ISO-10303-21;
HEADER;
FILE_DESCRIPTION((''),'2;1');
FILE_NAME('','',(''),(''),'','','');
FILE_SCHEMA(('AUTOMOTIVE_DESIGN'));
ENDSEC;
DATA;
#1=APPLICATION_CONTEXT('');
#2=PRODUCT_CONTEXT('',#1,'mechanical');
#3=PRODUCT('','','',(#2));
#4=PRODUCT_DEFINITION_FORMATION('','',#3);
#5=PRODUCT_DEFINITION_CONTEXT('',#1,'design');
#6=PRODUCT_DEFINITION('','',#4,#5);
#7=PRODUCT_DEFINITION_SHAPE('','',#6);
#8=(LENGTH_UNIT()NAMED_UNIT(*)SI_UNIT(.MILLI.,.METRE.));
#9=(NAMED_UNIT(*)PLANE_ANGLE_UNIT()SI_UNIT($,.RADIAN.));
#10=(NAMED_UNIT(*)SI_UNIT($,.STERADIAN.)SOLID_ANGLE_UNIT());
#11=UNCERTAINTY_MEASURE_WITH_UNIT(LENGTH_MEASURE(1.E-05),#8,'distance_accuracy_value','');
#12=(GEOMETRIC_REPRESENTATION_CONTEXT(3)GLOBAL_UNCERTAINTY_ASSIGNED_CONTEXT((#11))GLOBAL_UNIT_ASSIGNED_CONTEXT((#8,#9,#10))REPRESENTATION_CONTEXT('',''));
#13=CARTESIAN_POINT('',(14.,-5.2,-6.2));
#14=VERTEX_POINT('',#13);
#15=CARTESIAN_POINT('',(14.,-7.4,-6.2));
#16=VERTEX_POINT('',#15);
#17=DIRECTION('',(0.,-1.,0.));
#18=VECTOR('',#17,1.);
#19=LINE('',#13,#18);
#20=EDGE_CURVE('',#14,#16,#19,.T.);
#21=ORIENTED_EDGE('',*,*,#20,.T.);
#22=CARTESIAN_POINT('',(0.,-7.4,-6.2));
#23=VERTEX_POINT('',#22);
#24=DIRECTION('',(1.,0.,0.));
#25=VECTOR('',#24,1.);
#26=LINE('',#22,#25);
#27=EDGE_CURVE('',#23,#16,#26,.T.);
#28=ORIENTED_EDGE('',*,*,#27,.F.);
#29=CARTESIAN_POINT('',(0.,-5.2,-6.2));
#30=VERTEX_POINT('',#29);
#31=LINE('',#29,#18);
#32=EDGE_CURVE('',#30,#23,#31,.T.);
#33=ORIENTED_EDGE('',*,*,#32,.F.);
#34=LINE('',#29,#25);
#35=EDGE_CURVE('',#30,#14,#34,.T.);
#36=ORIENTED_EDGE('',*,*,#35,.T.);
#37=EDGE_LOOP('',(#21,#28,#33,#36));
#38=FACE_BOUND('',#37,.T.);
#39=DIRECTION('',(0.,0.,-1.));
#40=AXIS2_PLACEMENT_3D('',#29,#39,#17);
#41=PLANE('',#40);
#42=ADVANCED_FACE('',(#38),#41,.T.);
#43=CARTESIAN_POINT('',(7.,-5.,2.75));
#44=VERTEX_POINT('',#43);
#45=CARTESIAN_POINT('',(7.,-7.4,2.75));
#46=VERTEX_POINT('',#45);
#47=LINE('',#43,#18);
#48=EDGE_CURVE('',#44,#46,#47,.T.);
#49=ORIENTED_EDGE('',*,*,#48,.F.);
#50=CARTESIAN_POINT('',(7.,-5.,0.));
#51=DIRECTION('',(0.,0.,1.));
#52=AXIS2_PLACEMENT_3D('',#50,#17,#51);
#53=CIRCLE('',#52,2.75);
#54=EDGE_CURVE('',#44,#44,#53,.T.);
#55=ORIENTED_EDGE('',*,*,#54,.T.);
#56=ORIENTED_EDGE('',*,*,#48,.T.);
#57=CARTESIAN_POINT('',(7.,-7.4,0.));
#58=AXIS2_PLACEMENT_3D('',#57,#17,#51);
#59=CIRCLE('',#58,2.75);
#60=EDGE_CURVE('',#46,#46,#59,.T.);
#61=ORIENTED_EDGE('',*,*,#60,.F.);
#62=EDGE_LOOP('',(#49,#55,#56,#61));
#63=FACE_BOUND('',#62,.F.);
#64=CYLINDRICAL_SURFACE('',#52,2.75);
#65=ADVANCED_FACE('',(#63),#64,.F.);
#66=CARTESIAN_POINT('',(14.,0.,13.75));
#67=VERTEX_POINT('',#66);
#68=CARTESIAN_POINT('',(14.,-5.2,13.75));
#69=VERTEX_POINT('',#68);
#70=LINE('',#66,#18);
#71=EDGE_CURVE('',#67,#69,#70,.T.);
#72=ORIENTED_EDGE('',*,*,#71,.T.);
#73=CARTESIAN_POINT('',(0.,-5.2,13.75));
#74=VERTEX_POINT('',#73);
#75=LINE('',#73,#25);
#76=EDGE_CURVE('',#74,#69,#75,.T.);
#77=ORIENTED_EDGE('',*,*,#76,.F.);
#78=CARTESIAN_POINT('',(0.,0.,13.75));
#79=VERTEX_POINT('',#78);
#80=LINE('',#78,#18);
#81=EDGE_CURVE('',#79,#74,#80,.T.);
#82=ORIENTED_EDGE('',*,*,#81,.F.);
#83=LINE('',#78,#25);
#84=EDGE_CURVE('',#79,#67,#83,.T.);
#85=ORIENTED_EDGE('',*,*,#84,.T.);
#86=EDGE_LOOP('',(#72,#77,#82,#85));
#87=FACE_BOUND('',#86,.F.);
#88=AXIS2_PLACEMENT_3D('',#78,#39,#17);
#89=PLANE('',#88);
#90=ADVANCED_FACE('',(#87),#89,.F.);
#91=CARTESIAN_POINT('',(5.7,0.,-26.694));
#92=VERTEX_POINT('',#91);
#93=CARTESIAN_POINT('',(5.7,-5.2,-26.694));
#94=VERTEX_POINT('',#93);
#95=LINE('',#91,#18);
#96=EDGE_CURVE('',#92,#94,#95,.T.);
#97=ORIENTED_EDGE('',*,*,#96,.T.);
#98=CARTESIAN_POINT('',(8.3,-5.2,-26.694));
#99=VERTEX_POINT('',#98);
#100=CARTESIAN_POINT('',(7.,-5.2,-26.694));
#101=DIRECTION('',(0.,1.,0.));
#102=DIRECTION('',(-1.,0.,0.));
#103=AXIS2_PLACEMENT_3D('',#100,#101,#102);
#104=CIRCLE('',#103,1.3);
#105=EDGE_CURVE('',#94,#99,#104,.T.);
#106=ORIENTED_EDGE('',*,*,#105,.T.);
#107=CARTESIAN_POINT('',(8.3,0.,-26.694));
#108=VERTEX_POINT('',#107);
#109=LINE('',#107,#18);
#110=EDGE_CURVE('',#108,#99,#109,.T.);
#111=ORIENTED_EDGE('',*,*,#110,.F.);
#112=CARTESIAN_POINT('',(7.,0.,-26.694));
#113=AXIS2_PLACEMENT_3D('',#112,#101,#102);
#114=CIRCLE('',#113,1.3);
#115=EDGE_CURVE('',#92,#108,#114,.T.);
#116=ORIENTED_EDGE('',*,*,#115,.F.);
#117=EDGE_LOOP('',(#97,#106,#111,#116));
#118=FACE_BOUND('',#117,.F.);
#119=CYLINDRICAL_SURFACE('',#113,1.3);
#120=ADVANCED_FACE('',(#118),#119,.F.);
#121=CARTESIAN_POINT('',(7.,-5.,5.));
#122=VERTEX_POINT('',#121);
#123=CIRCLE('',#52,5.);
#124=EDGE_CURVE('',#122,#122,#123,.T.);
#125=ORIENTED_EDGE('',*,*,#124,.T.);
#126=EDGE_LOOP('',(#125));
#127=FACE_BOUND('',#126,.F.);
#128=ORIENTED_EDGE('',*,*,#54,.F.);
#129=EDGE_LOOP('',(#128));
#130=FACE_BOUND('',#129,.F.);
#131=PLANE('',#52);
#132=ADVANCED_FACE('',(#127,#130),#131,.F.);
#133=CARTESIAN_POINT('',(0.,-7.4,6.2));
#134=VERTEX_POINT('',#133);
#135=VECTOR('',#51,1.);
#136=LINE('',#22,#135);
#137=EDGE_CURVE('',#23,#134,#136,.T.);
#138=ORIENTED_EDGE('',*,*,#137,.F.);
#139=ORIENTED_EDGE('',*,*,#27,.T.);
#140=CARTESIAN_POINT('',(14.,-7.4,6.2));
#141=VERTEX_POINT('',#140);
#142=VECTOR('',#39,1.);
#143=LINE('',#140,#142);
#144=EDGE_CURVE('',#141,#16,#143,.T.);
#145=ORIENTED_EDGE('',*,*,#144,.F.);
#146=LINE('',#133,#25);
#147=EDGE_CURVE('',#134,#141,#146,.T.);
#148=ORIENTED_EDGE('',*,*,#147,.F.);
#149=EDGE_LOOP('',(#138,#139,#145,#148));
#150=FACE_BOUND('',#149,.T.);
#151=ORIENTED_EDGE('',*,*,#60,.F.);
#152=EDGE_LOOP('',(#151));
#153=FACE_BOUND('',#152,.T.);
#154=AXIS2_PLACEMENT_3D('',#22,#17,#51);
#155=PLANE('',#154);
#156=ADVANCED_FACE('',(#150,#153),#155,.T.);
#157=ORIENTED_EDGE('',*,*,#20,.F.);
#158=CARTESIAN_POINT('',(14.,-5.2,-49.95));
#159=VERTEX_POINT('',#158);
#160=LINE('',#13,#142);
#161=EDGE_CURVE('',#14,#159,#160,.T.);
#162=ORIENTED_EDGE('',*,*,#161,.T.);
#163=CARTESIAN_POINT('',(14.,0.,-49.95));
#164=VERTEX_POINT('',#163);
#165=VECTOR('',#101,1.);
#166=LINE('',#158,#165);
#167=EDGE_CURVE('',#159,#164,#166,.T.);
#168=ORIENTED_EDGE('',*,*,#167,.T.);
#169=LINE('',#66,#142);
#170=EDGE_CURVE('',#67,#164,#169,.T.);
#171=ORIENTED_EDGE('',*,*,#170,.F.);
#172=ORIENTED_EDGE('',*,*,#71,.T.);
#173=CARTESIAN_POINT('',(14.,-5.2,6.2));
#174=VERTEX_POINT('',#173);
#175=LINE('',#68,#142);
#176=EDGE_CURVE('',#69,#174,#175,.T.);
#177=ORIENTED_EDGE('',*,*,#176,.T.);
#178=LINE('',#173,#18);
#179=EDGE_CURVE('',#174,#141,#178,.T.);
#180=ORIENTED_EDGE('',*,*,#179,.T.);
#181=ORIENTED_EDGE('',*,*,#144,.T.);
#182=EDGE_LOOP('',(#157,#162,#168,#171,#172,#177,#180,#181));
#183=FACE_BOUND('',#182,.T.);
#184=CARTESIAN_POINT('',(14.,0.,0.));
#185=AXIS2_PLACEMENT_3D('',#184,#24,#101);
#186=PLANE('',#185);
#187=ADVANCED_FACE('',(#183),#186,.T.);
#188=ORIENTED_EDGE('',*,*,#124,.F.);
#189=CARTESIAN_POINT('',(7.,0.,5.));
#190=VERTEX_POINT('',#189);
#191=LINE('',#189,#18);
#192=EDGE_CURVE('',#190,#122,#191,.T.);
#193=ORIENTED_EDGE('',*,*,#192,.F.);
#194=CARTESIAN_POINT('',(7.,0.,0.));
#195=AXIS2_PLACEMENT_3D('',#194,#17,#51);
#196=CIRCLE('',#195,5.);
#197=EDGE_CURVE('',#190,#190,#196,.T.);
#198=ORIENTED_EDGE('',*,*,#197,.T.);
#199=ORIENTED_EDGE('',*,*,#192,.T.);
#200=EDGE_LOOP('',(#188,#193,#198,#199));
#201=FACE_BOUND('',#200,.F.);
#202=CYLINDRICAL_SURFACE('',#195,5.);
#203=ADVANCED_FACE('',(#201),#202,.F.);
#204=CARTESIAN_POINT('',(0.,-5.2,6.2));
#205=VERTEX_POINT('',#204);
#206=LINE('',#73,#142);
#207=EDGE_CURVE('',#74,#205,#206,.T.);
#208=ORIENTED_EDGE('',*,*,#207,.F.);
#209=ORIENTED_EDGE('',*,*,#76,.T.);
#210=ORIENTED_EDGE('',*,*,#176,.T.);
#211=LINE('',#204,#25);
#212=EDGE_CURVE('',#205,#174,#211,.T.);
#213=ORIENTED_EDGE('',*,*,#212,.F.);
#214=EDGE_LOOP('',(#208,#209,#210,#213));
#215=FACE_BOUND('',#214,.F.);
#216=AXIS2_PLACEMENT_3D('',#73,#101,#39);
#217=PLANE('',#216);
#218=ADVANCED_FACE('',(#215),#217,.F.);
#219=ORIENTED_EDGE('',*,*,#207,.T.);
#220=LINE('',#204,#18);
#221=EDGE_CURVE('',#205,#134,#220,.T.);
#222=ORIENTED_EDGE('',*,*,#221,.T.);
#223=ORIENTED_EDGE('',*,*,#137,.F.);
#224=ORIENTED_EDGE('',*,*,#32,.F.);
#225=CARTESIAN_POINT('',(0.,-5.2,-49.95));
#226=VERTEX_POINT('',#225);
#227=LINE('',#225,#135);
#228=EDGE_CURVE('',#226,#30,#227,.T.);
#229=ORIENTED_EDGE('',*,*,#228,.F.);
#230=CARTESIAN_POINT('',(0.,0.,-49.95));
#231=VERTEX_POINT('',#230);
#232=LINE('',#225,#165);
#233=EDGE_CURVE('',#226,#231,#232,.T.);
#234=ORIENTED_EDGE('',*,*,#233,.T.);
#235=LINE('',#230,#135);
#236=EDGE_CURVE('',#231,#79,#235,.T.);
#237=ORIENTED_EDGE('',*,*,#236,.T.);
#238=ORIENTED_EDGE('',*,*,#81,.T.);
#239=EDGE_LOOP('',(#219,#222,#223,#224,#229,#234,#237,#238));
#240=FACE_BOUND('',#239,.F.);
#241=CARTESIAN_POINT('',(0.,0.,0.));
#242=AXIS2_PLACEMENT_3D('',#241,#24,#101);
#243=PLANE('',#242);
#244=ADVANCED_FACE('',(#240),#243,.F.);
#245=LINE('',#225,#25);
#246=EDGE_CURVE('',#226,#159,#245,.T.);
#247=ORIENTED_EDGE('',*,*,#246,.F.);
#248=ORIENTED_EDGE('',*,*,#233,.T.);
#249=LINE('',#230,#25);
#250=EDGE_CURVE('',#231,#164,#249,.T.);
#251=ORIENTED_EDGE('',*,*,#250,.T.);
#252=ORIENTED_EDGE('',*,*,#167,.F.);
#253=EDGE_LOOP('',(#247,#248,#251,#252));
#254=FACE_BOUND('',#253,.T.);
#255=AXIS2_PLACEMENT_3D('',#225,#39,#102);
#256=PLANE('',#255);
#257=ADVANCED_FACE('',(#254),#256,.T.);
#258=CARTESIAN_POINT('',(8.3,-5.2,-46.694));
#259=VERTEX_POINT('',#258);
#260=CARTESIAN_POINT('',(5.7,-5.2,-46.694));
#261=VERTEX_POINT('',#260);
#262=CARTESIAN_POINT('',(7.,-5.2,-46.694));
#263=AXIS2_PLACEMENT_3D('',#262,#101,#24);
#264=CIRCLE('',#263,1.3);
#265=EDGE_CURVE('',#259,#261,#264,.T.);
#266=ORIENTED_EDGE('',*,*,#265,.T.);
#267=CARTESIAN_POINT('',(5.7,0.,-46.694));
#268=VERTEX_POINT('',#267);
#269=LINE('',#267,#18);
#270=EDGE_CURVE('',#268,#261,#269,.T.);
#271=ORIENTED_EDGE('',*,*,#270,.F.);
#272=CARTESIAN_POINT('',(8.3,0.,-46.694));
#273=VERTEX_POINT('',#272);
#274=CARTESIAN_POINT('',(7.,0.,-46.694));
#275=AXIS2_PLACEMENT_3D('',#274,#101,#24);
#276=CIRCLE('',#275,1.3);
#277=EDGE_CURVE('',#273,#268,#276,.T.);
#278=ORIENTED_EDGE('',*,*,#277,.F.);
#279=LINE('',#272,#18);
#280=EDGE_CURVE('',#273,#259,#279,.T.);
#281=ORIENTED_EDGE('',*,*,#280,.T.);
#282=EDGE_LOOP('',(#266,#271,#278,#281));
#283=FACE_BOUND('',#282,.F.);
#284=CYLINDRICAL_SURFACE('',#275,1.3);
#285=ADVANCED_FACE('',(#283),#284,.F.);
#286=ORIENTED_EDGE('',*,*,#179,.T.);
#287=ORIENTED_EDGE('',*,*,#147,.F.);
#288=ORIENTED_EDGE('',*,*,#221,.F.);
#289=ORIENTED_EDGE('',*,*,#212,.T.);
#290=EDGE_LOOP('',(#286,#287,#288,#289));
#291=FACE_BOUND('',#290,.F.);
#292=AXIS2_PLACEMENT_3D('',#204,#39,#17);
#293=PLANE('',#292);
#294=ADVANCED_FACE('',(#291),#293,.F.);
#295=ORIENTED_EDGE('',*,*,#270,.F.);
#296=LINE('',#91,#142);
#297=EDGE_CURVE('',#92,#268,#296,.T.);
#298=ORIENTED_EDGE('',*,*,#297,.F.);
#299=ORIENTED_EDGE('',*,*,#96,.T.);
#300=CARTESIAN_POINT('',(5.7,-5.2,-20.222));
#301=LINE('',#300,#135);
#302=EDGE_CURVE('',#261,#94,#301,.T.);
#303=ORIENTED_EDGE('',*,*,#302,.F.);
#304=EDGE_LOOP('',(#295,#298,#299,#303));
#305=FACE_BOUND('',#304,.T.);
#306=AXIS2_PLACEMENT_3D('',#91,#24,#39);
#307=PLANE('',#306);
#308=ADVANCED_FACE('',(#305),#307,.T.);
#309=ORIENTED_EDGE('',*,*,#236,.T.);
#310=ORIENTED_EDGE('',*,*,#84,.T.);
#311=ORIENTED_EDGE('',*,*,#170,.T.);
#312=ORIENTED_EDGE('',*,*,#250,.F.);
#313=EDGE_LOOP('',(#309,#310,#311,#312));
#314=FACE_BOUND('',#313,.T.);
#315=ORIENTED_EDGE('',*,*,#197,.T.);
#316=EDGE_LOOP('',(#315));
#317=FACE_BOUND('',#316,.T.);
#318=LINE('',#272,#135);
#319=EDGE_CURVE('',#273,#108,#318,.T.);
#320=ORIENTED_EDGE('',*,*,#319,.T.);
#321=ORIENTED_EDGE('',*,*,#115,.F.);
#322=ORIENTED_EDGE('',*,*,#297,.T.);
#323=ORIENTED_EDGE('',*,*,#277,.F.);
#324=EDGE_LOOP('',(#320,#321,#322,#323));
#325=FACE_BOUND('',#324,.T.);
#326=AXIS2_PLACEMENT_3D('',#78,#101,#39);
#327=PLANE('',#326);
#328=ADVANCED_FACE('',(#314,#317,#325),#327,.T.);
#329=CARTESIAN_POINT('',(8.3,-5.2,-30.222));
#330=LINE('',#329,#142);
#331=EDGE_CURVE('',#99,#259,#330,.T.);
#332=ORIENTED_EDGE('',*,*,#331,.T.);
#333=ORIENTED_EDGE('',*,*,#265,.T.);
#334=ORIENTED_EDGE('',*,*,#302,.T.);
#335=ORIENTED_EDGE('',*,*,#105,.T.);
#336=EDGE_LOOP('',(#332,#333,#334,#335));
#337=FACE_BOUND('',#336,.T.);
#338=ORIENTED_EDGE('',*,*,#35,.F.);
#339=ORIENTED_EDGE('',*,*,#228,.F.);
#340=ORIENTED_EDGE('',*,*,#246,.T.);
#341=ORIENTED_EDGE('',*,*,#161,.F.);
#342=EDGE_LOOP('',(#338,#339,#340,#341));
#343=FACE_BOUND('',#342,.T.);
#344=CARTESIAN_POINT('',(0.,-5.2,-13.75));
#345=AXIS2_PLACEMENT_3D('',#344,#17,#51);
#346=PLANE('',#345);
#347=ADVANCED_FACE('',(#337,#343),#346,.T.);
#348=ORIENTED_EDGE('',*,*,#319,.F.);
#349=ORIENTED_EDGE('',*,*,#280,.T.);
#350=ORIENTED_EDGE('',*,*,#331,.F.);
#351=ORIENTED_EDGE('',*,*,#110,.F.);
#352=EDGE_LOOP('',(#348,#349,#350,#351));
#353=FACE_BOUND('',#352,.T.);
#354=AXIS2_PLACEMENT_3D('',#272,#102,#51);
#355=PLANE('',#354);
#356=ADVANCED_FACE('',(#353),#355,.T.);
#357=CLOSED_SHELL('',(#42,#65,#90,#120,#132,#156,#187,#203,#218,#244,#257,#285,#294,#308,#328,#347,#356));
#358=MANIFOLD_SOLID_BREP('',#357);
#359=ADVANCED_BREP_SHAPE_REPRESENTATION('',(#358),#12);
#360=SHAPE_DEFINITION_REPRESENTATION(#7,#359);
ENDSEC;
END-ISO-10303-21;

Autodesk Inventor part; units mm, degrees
ref_plane "YZ Plane" through (0, 0, 0) normal (1, 0, 0) x (0, 1, 0)
ref_plane "XZ Plane" through (0, 0, 0) normal (0, 1, 0) x (-1, 0, 0)
ref_plane "XY Plane" through (0, 0, 0) normal (0, 0, 1) x (1, 0, 0)
sketch "Sketch1" plane through (0, 0, 0) normal (1, 0, 0) x (0, 1, 0)
  line L0 (0, 13.75) -> (-5.2, 13.75)
  line L1 (-5.2, 13.75) -> (-5.2, 6.2)
  line L2 (-5.2, 6.2) -> (-7.4, 6.2)
  line L3 (-7.4, 6.2) -> (-7.4, 2.5)
  line L4 (-7.4, 2.5) -> (-13.4, 2.5) construction
  line L5 (-13.4, 2.5) -> (-13.4, -1.6142) construction
  line L6 (-16.08, 0) -> (2.68, 0) construction
  line L7 (0, -13.75) -> (-5.2, -13.75)
  line L8 (-5.2, -13.75) -> (-5.2, -6.2)
  line L9 (-5.2, -6.2) -> (-7.4, -6.2)
  line L10 (-7.4, -6.2) -> (-7.4, -2.5)
  line L11 (-7.4, -2.5) -> (-13.4, -2.5) construction
  line L12 (-13.4, -2.5) -> (-13.4, -1.6142) construction
  line L13 (0, 13.75) -> (0, -13.75)
  line L14 (-7.4, 2.5) -> (-7.4, -2.5)
  point P0 (0, 0)
  dimension "d1" = 5
  dimension "d2" = 3.7
  dimension "d3" = 6
  dimension "d4" = 2.2
  dimension "d5" = 5.2
  dimension "d52" = 27.5
  dimension "d53" = 7.55
extrude "Extrusion1" add sketch "Sketch1" along normal blind 14
sketch "Sketch2" plane through (0, -5.2, -13.75) normal (0, 0, -1) x (-1, 0, 0)
  line L0 (0, 0) -> (0, 5.2) projected
  line L1 (0, 5.2) -> (-14, 5.2) projected
  line L2 (-14, 0) -> (-14, 5.2) projected
  line L3 (0, 0) -> (-14, 0) projected
  point P0 (0, 5.2)
sketch "Sketch3" plane through (0, 0, 13.75) normal (0, 1, 0) x (1, 0, 0)
  line L0 (0, 0) -> (14, 0) construction
  line L1 (7, 40.444) -> (7, 60.444) construction
  line L2 (5.7, 40.444) -> (5.7, 60.444)
  line L3 (8.3, 60.444) -> (8.3, 40.444)
  arc A0 (5.7, 40.444) -> (8.3, 40.444) centre (7, 40.444) ccw
  arc A1 (8.3, 60.444) -> (5.7, 60.444) centre (7, 60.444) ccw
  line L4 (0, 69.5) -> (41.7053, 69.5) construction
  circle A2 centre (7, 61.2) radius 2.5 construction
  line L5 (0, 63.7) -> (21.4479, 63.7) construction
  line L6 (-0.0005, 67.5) -> (30.8862, 67.5) construction
  line L7 (0, 27.5) -> (0, 0) construction
  line L8 (7, 0) -> (7, 40.444) construction
  point P0 (7, 50.444)
  dimension "d55" = 2.6
  dimension "d57" = 42
  dimension "d58" = 0.756
  dimension "d59" = 5
  dimension "d60" = 3.8
  dimension "d61" = 2
  dimension "d62" = 20
ref_plane "Work Plane2" through (0, 0, -49.95) normal (0, 0, -1) x (-1, 0, 0)
extrude "Extrusion8" add sketch "Sketch2" along normal up to surface (36.2 mm away)
extrude "Extrusion7" cut sketch "Sketch3" against normal through all
sketch "Sketch5" plane through (0, 0, 13.75) normal (0, 1, 0) x (1, 0, 0)
  point P0 (0, 13.75)
ref_plane "Work Plane1" through (0, -2, 13.75) normal (0, 1, 0) x (1, 0, 0)
sketch "Sketch7" plane through (0, 0, 13.75) normal (0, 1, 0) x (1, 0, 0)
  line L0 (18.6924, 13.75) -> (-14.1545, 13.75) construction
  circle A0 centre (7, 13.75) radius 4.5
  line L1 (14, 0) -> (14, 63.7)
  line L2 (0, 0) -> (14, 0) construction
  line L3 (14, 63.7) -> (-7.462, 63.7) construction
  line L4 (7, 0) -> (7, 13.75) construction
  point P0 (0, 13.75)
  point P1 (3.3, 22.5)
  dimension "d24" = 9
hole "Hole1" at (7, 0, 0) direction (0, -1, 0) diameter 5.5 end through all counterbore diameter 10 counterbore depth 5 clearance for "Socket Head Cap Screw ISO 4762" size "M5" standard "ISO"
properties part number "Sensor_Montage"
